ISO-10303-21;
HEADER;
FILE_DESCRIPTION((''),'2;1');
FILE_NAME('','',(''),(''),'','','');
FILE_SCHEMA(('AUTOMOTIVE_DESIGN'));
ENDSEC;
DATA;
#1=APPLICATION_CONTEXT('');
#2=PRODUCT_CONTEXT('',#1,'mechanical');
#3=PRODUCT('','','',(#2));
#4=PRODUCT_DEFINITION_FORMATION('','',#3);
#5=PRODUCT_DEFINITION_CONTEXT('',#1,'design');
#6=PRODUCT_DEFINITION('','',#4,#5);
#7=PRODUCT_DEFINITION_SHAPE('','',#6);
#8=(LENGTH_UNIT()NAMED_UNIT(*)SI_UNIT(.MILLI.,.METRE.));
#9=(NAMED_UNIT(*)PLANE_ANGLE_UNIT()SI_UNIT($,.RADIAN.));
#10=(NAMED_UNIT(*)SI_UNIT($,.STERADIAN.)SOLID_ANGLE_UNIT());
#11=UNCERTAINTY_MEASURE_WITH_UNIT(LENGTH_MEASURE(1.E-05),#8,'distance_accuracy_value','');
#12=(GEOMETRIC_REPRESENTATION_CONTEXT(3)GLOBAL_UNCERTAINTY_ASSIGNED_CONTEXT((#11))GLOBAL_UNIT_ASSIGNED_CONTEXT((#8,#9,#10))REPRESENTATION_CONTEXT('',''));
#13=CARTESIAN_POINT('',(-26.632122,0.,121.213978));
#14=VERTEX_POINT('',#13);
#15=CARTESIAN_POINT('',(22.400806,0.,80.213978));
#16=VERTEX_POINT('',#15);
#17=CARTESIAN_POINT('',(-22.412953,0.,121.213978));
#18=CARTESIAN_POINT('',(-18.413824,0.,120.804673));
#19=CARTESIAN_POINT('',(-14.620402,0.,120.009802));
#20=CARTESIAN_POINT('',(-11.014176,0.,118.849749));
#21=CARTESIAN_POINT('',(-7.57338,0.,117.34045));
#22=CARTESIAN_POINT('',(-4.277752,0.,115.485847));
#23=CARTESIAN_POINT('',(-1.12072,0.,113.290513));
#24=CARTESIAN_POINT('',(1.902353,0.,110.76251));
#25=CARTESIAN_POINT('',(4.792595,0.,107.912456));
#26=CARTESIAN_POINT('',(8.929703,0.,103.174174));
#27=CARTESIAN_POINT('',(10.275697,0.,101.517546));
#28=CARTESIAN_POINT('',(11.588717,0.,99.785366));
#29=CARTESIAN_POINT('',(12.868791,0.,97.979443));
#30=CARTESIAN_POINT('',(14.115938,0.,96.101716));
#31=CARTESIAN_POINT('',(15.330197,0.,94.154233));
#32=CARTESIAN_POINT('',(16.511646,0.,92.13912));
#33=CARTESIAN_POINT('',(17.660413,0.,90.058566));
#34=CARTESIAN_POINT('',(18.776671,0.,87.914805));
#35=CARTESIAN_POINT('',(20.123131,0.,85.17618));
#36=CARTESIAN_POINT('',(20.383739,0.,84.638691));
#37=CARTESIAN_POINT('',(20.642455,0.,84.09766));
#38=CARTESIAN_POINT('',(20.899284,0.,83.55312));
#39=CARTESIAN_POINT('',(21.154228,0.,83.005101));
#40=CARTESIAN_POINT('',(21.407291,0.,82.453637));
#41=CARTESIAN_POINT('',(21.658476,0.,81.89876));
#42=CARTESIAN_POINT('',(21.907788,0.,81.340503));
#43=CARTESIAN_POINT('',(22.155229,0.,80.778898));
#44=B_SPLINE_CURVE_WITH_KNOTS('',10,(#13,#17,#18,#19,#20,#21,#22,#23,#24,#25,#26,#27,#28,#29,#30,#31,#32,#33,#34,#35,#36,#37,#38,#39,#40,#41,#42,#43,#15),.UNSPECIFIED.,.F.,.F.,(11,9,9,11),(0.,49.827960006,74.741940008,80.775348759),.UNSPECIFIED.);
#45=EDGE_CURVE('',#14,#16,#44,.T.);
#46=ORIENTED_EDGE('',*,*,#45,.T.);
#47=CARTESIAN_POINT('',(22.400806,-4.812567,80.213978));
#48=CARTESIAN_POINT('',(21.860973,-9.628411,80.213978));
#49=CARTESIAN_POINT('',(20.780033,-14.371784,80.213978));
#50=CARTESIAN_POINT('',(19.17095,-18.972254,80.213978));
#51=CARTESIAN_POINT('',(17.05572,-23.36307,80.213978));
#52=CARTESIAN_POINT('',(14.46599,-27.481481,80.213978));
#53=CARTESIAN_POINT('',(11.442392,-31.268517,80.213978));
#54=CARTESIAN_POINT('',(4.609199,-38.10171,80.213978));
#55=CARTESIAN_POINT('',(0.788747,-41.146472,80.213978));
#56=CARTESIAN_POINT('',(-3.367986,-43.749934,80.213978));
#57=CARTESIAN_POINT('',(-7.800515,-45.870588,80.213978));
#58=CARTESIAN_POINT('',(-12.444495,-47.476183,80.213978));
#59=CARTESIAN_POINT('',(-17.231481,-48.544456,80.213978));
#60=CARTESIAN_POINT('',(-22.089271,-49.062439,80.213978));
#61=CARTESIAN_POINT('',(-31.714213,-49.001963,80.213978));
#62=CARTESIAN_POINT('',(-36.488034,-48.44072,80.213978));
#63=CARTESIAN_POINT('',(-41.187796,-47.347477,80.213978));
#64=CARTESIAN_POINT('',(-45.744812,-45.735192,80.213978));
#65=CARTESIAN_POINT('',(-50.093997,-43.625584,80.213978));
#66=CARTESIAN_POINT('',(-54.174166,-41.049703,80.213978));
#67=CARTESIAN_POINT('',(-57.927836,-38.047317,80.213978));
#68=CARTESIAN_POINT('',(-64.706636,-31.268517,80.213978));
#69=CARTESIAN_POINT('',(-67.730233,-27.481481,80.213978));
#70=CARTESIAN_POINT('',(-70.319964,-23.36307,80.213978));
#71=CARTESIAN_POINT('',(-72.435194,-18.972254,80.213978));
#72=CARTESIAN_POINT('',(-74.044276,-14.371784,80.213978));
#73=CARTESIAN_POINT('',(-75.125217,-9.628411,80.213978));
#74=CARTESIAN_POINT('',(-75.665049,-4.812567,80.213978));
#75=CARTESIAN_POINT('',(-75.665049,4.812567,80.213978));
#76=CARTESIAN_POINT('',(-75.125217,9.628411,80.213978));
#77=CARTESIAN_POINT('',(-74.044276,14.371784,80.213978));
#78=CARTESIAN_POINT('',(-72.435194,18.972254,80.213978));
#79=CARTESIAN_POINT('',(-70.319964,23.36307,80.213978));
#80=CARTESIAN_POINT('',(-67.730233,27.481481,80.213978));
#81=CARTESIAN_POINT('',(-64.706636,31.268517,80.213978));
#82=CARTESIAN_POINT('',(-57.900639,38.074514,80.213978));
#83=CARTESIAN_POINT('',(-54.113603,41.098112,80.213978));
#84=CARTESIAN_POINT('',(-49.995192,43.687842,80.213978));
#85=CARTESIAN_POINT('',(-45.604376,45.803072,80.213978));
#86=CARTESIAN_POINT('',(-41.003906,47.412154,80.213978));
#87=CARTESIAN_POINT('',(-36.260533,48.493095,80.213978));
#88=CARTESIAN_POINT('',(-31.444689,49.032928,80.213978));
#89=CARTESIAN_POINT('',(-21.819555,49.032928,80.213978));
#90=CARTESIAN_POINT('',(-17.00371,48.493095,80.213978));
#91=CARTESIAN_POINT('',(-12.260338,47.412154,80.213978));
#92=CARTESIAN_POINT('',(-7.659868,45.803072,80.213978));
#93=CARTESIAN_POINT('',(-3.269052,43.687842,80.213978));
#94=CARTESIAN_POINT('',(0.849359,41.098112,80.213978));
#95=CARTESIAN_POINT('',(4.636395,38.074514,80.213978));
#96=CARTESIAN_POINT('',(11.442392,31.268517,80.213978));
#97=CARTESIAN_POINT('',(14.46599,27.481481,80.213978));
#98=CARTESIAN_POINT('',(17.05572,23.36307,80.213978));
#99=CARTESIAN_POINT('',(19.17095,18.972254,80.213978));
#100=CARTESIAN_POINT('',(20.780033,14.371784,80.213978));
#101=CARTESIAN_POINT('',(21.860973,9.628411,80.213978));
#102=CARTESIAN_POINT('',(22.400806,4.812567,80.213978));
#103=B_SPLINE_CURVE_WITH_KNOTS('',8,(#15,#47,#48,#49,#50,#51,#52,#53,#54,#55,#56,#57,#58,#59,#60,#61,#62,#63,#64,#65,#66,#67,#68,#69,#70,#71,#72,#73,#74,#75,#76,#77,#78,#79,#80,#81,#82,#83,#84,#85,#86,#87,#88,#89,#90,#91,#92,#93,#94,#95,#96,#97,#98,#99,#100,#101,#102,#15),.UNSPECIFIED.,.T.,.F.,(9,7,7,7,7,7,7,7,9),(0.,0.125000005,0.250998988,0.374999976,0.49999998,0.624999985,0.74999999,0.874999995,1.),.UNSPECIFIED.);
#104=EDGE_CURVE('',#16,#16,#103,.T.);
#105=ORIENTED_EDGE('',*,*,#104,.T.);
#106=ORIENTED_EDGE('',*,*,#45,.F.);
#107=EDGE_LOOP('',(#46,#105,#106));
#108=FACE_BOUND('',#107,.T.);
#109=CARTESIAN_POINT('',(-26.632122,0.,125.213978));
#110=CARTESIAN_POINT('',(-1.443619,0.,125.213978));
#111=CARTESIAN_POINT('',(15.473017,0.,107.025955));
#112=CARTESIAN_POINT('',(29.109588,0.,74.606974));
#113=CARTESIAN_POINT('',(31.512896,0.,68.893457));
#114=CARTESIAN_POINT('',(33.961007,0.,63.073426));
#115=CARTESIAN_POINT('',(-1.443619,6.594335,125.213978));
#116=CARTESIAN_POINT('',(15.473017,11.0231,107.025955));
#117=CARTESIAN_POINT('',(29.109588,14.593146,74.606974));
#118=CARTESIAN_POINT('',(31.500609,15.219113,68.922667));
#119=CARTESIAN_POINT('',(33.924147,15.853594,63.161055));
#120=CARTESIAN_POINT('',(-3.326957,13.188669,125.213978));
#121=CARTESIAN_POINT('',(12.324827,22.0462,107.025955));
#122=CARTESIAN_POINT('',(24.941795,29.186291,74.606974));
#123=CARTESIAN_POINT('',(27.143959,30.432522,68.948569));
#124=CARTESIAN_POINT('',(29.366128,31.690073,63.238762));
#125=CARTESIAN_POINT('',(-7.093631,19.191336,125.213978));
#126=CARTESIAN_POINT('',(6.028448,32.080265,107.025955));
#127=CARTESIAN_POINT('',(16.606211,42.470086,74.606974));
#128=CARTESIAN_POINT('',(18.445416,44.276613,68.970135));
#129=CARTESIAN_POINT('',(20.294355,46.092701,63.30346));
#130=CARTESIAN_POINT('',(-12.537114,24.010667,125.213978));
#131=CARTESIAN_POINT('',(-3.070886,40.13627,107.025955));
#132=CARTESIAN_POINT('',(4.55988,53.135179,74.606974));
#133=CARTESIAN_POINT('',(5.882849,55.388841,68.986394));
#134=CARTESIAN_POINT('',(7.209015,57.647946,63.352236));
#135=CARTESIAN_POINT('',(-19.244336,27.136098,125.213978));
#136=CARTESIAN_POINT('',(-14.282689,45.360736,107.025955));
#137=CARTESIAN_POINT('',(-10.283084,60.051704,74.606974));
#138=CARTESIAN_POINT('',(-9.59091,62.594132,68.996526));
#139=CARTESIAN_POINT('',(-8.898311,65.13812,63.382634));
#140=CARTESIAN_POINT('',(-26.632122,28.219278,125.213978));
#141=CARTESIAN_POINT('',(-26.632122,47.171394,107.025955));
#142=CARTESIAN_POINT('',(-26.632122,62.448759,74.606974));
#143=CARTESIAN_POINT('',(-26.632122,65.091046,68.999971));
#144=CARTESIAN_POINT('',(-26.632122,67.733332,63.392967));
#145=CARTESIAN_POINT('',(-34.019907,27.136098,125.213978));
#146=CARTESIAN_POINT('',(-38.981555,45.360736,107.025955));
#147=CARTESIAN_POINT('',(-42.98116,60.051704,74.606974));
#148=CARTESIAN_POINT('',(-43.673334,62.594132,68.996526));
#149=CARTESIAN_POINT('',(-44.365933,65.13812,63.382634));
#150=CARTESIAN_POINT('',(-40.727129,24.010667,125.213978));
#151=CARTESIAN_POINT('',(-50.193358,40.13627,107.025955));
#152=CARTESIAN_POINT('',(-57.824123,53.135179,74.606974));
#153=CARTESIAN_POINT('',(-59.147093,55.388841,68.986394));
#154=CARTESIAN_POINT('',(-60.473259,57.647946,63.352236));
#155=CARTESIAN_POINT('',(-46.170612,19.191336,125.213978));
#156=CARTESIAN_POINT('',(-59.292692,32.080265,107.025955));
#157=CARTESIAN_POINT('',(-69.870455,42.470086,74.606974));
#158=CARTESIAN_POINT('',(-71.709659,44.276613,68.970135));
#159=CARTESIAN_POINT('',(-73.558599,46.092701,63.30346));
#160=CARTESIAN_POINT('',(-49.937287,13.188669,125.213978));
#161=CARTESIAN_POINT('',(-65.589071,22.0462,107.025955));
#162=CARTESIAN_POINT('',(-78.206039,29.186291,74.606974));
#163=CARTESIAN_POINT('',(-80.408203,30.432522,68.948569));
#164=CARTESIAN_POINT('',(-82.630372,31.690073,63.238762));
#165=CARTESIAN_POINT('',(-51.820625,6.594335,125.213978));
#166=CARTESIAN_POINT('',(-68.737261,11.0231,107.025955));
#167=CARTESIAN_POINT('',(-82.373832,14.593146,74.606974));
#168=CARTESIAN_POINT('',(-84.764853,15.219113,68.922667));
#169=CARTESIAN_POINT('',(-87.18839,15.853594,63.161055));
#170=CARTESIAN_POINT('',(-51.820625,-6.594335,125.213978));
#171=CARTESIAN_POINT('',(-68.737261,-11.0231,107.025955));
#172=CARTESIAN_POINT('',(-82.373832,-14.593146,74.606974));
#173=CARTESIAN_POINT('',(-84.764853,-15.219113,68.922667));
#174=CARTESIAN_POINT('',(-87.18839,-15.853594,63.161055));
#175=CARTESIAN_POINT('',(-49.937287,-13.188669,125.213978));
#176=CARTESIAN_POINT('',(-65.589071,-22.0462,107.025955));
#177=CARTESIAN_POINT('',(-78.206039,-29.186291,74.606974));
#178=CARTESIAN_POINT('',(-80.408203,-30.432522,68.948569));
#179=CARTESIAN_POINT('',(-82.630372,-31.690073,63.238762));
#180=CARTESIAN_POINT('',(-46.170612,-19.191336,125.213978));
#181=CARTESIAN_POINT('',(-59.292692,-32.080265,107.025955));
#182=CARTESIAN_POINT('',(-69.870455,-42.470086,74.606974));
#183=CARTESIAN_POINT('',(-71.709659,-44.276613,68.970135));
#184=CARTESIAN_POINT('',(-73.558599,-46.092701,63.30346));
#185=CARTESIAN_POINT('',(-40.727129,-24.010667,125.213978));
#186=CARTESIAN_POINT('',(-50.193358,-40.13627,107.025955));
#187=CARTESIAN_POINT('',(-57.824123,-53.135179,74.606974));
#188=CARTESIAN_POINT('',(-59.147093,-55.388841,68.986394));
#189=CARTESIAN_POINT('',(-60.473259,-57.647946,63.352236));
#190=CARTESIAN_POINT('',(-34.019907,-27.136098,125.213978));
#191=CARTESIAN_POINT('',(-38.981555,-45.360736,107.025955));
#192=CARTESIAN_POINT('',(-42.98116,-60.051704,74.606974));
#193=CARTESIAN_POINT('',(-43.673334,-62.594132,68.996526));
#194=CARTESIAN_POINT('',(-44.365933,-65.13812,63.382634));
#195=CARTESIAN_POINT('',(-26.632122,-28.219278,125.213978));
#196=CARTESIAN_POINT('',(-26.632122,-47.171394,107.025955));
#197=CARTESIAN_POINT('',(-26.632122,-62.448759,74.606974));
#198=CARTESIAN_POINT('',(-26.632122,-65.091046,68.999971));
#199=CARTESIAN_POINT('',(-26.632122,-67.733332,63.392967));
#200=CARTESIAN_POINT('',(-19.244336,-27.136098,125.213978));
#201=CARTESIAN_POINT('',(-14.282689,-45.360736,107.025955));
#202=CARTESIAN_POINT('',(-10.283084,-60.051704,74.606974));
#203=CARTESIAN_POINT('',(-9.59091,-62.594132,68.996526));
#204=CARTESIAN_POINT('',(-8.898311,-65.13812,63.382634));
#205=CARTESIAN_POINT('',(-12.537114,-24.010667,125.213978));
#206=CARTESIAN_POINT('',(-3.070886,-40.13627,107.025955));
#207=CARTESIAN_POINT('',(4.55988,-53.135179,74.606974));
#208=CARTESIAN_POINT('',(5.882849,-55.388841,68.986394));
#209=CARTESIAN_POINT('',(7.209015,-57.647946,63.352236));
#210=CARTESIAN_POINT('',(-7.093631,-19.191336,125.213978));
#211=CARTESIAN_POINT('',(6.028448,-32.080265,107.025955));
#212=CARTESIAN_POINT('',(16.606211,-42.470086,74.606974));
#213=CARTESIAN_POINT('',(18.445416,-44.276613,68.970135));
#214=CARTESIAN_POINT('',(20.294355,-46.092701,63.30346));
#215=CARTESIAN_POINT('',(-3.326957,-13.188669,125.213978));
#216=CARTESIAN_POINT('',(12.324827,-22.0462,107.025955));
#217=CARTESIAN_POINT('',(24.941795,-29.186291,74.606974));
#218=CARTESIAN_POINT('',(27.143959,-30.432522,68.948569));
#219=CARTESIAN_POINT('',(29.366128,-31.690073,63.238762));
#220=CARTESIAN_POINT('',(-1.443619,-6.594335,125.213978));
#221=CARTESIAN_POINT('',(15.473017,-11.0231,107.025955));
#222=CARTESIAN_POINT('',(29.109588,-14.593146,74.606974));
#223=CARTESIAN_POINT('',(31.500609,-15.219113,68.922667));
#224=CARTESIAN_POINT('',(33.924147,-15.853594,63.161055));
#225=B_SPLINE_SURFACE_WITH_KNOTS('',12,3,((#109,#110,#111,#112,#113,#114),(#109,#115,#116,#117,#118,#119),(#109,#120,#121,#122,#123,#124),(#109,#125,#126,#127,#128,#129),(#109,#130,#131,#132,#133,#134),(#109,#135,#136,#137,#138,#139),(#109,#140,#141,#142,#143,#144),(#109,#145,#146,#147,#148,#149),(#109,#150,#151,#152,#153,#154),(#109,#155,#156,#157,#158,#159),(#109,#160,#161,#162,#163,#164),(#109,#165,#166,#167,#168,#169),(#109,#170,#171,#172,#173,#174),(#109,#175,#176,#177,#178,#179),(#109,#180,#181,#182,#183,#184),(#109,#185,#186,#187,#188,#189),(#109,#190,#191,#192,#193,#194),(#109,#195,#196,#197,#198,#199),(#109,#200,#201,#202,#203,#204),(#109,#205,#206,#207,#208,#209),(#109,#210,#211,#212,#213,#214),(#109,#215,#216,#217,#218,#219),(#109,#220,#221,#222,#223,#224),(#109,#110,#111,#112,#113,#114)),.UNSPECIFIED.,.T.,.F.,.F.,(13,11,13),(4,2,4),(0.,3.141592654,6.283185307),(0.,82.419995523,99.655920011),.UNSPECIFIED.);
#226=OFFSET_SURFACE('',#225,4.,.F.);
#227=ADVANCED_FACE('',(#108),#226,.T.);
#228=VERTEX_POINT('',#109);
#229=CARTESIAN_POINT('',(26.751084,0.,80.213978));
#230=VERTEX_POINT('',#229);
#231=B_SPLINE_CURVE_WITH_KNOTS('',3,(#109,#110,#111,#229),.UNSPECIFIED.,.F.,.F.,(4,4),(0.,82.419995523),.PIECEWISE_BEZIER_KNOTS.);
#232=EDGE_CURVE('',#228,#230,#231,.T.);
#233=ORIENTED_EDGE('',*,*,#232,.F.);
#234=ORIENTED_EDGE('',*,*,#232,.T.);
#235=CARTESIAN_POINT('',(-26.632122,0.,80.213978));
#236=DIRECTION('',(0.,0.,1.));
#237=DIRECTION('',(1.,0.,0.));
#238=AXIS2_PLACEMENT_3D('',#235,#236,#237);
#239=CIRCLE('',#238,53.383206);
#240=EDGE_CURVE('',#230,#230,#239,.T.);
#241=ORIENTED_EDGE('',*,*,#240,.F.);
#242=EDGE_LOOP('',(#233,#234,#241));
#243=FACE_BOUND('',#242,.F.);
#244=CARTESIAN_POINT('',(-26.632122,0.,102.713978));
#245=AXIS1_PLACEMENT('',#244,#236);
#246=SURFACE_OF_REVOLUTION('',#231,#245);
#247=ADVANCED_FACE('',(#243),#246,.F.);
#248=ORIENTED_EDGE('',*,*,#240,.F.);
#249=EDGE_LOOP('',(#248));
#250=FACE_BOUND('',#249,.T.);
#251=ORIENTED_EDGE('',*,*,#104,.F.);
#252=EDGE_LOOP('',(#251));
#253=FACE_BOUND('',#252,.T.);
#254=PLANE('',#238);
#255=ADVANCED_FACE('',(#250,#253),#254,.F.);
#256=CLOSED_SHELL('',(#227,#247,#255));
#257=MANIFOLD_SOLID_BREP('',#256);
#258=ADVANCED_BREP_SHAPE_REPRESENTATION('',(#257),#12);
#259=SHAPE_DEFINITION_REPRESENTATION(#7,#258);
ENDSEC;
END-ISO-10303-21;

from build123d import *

# Parameters (mm, degrees)
F2_T = -4


with BuildPart() as f1:
    # F0 (on Front) → F1 (revolve)
    with BuildSketch(Plane.XZ):
        with BuildLine():
            Line((-26.6321219052, 125.213977864), (-26.6321219052, 80.213977864))
            Line((-26.6321219052, 80.213977864), (26.7510838289, 80.213977864))
            add(Edge.make_bspline(
                [(-26.6321219052, 125.213977864), (-1.4436189036, 125.213977864), (15.4730172825, 107.0259550185), (26.7510838289, 80.213977864)],
                knots=[0, 0, 0, 0, 82.4199955228, 82.4199955228, 82.4199955228, 82.4199955228], degree=3))
        make_face()
    revolve(axis=Axis((-26.6321219052, 0, 102.713977864), (0, 0, 1)))

    # F2
    f2_openings = [f1.faces().sort_by_distance(p)[0] for p in [
        (-26.632122, 0, 80.213978),
    ]]
    offset(amount=F2_T, openings=f2_openings)


solid = f1.part
